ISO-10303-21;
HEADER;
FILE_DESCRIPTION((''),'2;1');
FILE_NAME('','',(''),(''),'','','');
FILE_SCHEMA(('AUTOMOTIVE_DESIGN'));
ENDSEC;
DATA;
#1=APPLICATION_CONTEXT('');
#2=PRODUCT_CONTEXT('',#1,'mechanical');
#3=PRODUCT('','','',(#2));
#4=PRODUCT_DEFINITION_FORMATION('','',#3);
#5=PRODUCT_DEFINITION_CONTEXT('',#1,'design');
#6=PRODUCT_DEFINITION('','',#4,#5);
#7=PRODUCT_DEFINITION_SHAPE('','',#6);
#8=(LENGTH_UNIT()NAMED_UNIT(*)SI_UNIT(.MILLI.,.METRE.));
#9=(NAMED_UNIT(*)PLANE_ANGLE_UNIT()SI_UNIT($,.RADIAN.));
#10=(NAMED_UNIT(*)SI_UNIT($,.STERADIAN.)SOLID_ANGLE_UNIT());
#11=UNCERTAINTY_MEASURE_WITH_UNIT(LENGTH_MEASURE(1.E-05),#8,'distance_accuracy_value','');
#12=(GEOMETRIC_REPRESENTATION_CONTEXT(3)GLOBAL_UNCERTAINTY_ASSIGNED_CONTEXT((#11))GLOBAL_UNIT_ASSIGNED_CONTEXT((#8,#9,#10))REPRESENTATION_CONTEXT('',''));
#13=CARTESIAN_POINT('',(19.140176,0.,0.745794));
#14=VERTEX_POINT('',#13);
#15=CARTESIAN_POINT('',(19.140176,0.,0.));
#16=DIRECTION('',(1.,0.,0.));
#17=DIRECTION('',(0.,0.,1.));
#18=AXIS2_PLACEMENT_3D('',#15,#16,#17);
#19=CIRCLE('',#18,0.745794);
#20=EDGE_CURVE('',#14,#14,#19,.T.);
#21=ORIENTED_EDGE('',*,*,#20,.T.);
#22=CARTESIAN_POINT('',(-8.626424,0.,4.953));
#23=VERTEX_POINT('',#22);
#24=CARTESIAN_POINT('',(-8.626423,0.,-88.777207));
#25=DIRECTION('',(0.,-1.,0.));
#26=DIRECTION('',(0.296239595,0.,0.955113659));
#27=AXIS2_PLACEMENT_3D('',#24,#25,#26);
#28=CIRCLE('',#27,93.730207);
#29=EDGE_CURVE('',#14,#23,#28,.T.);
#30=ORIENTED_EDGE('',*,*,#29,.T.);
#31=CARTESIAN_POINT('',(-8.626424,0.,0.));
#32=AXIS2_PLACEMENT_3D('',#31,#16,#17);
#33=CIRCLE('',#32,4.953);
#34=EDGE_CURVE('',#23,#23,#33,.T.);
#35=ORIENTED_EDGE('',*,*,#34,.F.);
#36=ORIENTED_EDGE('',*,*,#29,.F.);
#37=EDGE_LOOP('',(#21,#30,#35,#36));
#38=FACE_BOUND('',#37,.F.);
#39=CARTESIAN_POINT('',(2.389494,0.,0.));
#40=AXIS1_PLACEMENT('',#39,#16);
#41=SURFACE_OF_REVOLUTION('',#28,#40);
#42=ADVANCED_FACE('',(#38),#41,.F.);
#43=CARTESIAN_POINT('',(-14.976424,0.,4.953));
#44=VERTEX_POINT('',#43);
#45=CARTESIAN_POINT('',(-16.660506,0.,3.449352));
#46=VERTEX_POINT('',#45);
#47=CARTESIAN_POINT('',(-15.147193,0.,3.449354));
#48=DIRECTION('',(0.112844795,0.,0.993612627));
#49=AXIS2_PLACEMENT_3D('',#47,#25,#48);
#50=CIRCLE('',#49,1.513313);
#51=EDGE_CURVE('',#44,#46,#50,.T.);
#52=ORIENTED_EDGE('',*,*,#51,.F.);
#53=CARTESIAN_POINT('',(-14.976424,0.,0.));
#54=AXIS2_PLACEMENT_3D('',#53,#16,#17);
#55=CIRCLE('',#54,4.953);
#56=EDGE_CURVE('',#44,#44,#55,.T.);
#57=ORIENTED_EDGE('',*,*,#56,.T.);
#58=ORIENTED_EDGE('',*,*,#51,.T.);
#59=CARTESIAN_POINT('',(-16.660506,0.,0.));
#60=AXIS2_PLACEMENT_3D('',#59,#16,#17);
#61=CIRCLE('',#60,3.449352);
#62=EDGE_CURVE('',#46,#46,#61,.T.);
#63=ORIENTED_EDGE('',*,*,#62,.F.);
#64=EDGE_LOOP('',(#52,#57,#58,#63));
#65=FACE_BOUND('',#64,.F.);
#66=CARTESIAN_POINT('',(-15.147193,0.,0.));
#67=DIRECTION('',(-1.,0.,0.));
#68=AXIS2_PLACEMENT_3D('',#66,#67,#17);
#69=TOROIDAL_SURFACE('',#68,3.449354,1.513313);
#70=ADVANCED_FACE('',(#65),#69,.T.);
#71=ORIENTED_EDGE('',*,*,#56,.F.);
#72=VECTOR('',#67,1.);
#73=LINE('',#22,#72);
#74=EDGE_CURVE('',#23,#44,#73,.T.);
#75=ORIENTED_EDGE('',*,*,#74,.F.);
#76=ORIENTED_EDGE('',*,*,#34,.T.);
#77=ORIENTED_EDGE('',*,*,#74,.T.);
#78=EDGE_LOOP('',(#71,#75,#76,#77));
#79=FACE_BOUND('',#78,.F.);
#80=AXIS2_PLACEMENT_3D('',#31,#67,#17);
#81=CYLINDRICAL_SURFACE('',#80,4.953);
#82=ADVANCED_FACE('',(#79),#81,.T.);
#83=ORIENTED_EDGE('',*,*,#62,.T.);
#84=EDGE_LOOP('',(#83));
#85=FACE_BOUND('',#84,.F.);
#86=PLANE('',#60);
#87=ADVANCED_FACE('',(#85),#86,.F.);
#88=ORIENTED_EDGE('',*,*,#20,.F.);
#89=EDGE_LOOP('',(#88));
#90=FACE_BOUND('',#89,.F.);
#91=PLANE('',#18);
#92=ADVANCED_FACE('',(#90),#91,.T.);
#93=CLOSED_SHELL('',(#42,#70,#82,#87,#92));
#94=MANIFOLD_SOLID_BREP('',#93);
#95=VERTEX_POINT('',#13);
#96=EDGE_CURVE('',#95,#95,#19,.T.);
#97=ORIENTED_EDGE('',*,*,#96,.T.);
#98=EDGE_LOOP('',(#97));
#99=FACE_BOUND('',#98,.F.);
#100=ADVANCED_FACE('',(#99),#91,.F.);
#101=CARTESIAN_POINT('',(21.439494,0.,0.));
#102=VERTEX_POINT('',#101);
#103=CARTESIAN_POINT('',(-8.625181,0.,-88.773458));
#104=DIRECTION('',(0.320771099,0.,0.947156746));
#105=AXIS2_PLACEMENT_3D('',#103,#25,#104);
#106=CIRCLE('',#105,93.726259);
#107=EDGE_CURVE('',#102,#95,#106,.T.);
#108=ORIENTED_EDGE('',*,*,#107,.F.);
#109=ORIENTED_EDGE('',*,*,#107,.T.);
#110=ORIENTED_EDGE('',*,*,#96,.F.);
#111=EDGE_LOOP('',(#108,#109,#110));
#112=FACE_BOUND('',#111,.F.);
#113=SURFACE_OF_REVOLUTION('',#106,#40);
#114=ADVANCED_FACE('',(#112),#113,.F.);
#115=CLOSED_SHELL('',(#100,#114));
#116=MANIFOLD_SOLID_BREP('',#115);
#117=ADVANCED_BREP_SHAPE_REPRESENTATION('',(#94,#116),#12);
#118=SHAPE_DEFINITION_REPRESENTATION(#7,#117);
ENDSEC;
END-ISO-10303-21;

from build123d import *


with BuildPart() as f1:
    # F0 (on Front) → F1 (revolve)
    with BuildSketch(Plane.XZ):
        with BuildLine():
            Line((-16.660506, 3.449352), (-16.660506, 0))
            Line((-16.660506, 0), (19.140176, 0))
            Line((19.140176, 0), (19.140176, 0.745794))
            ThreePointArc((19.140176, 0.745794), (5.415341, 3.89523), (-8.626424, 4.953))
            Line((-8.626424, 4.953), (-14.976424, 4.953))
            ThreePointArc((-14.976424, 4.953), (-16.155085, 4.578189), (-16.660506, 3.449352))
        make_face()
    revolve(axis=Axis((2.389494, 0, 0), (1, 0, 0)))


with BuildPart() as f2:
    # F0 (on Front) → F2 (revolve)
    with BuildSketch(Plane.XZ):
        with BuildLine():
            Line((19.140176, 0.745794), (19.140176, 0))
            Line((19.140176, 0), (21.439494, 0))
            ThreePointArc((21.439494, 0), (20.292239, 0.38031), (19.140176, 0.745794))
        make_face()
    revolve(axis=Axis((2.389494, 0, 0), (1, 0, 0)))


solid = Compound([f1.part, f2.part])
